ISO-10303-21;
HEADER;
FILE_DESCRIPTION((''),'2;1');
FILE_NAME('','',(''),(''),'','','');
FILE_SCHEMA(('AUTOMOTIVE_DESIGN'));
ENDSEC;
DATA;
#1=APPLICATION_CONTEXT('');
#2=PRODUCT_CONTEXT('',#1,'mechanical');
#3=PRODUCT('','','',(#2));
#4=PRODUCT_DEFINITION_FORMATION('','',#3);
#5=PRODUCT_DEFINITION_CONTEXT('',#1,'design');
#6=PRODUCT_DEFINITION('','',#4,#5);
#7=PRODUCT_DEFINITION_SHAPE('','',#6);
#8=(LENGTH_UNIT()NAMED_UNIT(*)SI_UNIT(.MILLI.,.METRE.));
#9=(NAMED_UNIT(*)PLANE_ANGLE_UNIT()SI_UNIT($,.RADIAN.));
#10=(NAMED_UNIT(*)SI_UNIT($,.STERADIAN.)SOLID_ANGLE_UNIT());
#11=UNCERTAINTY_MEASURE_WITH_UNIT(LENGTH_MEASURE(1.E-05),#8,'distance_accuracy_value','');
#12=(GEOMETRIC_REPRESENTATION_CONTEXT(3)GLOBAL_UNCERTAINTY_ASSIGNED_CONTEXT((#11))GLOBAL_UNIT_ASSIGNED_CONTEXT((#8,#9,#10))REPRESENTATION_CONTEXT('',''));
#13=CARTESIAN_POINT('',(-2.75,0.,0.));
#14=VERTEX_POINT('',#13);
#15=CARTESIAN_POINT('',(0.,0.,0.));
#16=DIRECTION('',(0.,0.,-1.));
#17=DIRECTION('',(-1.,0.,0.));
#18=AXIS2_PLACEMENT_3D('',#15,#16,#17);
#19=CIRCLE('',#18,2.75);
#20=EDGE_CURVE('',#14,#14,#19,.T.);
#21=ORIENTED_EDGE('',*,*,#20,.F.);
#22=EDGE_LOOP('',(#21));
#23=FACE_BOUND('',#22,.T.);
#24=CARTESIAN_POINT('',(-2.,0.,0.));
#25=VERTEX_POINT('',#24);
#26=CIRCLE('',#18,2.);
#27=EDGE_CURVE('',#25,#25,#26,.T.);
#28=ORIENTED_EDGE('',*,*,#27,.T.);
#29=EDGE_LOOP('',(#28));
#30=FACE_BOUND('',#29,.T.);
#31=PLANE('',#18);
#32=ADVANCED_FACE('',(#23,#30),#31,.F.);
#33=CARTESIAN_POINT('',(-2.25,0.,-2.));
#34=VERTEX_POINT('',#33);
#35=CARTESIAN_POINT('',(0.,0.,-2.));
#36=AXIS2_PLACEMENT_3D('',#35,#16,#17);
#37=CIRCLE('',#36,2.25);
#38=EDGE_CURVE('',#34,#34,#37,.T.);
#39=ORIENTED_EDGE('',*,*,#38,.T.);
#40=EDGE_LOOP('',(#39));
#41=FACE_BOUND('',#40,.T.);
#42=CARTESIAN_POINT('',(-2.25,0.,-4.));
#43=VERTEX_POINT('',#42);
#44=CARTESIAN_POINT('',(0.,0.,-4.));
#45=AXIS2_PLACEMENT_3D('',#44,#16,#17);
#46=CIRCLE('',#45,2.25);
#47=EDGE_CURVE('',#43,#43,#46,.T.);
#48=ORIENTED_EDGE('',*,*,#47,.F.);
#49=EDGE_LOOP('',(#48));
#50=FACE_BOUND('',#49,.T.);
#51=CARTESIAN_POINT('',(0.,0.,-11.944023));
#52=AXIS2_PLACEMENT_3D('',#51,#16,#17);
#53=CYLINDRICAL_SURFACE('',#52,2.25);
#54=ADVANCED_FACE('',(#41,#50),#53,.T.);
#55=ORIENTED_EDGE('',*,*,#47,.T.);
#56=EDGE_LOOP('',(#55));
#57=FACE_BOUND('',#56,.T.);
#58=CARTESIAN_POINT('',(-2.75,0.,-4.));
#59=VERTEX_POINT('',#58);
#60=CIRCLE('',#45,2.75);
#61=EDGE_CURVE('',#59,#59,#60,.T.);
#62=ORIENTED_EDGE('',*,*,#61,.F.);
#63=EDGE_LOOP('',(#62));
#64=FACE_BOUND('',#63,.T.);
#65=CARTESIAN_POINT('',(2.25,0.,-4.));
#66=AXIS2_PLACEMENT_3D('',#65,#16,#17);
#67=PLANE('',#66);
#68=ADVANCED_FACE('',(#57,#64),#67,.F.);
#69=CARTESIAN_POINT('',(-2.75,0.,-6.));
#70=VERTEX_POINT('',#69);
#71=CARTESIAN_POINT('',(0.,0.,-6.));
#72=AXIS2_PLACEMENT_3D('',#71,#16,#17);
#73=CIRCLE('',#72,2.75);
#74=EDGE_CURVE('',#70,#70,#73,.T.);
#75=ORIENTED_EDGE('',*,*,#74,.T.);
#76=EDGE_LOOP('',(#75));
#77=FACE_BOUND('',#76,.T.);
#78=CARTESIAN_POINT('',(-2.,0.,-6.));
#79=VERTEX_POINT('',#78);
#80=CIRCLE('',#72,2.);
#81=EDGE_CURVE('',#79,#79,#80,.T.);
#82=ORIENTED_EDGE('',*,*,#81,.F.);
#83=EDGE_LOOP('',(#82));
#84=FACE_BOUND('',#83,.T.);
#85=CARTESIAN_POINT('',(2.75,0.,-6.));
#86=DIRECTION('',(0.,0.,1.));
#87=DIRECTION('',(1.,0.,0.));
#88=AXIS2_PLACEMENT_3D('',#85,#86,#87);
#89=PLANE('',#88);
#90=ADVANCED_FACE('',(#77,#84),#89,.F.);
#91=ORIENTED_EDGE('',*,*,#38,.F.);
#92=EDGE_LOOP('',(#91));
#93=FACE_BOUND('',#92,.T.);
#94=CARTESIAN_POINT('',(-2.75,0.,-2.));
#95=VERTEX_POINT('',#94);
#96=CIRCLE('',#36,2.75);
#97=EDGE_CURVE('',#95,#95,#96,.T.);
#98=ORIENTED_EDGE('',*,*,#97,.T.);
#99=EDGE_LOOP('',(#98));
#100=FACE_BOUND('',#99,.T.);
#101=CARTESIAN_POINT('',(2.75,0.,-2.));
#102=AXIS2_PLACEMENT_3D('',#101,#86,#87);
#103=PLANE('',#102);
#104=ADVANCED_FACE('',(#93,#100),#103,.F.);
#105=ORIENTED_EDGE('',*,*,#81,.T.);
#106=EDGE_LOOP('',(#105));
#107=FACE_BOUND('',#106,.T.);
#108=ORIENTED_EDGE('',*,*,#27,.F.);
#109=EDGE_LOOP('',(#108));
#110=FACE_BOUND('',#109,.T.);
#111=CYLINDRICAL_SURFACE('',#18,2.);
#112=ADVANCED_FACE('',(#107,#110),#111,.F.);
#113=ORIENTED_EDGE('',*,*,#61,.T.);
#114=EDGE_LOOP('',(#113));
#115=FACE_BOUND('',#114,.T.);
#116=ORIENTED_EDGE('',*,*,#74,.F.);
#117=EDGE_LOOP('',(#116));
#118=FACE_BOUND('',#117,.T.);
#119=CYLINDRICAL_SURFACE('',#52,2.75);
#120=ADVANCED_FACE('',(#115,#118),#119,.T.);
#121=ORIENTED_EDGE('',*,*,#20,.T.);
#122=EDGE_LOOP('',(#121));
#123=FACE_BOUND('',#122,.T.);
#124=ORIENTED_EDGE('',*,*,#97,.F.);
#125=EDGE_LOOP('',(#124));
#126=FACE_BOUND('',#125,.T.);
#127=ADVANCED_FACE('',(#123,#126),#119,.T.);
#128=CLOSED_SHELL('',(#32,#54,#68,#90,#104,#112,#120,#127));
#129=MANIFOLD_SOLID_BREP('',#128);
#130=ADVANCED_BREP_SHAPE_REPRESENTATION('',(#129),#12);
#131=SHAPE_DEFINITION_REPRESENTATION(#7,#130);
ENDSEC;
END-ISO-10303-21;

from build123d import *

# Parameters (mm, degrees)
SKETCH2_R          = 2
CUT_EXTRUDE1_DEPTH = 8.150174823


with BuildPart() as part:
    # Sketch1 → Revolve1 (revolve)
    with BuildSketch(Plane(origin=(0, 0, 0), x_dir=(1, 0, 0), z_dir=(0, 1, 0)), mode=Mode.PRIVATE) as revolve1_sk:
        Polygon((0, 0), (2.75, 0), (2.75, 2), (2.25, 2), (2.25, 4), (2.75, 4), (2.75, 6), (0, 6), align=None)
    revolve(revolve1_sk.sketch.rotate(Axis((0, 0, -11.944023292), (0, 0, 1)), 180), axis=Axis((0, 0, -11.944023292), (0, 0, 1)))

    # Sketch2 → Cut-Extrude1 (cut, through all)
    with BuildSketch(Plane(origin=(0, 0, -6), x_dir=(-1, 0, 0), z_dir=(0, 0, -1))):
        Circle(SKETCH2_R)
    extrude(amount=-CUT_EXTRUDE1_DEPTH, mode=Mode.SUBTRACT)


solid = part.part
